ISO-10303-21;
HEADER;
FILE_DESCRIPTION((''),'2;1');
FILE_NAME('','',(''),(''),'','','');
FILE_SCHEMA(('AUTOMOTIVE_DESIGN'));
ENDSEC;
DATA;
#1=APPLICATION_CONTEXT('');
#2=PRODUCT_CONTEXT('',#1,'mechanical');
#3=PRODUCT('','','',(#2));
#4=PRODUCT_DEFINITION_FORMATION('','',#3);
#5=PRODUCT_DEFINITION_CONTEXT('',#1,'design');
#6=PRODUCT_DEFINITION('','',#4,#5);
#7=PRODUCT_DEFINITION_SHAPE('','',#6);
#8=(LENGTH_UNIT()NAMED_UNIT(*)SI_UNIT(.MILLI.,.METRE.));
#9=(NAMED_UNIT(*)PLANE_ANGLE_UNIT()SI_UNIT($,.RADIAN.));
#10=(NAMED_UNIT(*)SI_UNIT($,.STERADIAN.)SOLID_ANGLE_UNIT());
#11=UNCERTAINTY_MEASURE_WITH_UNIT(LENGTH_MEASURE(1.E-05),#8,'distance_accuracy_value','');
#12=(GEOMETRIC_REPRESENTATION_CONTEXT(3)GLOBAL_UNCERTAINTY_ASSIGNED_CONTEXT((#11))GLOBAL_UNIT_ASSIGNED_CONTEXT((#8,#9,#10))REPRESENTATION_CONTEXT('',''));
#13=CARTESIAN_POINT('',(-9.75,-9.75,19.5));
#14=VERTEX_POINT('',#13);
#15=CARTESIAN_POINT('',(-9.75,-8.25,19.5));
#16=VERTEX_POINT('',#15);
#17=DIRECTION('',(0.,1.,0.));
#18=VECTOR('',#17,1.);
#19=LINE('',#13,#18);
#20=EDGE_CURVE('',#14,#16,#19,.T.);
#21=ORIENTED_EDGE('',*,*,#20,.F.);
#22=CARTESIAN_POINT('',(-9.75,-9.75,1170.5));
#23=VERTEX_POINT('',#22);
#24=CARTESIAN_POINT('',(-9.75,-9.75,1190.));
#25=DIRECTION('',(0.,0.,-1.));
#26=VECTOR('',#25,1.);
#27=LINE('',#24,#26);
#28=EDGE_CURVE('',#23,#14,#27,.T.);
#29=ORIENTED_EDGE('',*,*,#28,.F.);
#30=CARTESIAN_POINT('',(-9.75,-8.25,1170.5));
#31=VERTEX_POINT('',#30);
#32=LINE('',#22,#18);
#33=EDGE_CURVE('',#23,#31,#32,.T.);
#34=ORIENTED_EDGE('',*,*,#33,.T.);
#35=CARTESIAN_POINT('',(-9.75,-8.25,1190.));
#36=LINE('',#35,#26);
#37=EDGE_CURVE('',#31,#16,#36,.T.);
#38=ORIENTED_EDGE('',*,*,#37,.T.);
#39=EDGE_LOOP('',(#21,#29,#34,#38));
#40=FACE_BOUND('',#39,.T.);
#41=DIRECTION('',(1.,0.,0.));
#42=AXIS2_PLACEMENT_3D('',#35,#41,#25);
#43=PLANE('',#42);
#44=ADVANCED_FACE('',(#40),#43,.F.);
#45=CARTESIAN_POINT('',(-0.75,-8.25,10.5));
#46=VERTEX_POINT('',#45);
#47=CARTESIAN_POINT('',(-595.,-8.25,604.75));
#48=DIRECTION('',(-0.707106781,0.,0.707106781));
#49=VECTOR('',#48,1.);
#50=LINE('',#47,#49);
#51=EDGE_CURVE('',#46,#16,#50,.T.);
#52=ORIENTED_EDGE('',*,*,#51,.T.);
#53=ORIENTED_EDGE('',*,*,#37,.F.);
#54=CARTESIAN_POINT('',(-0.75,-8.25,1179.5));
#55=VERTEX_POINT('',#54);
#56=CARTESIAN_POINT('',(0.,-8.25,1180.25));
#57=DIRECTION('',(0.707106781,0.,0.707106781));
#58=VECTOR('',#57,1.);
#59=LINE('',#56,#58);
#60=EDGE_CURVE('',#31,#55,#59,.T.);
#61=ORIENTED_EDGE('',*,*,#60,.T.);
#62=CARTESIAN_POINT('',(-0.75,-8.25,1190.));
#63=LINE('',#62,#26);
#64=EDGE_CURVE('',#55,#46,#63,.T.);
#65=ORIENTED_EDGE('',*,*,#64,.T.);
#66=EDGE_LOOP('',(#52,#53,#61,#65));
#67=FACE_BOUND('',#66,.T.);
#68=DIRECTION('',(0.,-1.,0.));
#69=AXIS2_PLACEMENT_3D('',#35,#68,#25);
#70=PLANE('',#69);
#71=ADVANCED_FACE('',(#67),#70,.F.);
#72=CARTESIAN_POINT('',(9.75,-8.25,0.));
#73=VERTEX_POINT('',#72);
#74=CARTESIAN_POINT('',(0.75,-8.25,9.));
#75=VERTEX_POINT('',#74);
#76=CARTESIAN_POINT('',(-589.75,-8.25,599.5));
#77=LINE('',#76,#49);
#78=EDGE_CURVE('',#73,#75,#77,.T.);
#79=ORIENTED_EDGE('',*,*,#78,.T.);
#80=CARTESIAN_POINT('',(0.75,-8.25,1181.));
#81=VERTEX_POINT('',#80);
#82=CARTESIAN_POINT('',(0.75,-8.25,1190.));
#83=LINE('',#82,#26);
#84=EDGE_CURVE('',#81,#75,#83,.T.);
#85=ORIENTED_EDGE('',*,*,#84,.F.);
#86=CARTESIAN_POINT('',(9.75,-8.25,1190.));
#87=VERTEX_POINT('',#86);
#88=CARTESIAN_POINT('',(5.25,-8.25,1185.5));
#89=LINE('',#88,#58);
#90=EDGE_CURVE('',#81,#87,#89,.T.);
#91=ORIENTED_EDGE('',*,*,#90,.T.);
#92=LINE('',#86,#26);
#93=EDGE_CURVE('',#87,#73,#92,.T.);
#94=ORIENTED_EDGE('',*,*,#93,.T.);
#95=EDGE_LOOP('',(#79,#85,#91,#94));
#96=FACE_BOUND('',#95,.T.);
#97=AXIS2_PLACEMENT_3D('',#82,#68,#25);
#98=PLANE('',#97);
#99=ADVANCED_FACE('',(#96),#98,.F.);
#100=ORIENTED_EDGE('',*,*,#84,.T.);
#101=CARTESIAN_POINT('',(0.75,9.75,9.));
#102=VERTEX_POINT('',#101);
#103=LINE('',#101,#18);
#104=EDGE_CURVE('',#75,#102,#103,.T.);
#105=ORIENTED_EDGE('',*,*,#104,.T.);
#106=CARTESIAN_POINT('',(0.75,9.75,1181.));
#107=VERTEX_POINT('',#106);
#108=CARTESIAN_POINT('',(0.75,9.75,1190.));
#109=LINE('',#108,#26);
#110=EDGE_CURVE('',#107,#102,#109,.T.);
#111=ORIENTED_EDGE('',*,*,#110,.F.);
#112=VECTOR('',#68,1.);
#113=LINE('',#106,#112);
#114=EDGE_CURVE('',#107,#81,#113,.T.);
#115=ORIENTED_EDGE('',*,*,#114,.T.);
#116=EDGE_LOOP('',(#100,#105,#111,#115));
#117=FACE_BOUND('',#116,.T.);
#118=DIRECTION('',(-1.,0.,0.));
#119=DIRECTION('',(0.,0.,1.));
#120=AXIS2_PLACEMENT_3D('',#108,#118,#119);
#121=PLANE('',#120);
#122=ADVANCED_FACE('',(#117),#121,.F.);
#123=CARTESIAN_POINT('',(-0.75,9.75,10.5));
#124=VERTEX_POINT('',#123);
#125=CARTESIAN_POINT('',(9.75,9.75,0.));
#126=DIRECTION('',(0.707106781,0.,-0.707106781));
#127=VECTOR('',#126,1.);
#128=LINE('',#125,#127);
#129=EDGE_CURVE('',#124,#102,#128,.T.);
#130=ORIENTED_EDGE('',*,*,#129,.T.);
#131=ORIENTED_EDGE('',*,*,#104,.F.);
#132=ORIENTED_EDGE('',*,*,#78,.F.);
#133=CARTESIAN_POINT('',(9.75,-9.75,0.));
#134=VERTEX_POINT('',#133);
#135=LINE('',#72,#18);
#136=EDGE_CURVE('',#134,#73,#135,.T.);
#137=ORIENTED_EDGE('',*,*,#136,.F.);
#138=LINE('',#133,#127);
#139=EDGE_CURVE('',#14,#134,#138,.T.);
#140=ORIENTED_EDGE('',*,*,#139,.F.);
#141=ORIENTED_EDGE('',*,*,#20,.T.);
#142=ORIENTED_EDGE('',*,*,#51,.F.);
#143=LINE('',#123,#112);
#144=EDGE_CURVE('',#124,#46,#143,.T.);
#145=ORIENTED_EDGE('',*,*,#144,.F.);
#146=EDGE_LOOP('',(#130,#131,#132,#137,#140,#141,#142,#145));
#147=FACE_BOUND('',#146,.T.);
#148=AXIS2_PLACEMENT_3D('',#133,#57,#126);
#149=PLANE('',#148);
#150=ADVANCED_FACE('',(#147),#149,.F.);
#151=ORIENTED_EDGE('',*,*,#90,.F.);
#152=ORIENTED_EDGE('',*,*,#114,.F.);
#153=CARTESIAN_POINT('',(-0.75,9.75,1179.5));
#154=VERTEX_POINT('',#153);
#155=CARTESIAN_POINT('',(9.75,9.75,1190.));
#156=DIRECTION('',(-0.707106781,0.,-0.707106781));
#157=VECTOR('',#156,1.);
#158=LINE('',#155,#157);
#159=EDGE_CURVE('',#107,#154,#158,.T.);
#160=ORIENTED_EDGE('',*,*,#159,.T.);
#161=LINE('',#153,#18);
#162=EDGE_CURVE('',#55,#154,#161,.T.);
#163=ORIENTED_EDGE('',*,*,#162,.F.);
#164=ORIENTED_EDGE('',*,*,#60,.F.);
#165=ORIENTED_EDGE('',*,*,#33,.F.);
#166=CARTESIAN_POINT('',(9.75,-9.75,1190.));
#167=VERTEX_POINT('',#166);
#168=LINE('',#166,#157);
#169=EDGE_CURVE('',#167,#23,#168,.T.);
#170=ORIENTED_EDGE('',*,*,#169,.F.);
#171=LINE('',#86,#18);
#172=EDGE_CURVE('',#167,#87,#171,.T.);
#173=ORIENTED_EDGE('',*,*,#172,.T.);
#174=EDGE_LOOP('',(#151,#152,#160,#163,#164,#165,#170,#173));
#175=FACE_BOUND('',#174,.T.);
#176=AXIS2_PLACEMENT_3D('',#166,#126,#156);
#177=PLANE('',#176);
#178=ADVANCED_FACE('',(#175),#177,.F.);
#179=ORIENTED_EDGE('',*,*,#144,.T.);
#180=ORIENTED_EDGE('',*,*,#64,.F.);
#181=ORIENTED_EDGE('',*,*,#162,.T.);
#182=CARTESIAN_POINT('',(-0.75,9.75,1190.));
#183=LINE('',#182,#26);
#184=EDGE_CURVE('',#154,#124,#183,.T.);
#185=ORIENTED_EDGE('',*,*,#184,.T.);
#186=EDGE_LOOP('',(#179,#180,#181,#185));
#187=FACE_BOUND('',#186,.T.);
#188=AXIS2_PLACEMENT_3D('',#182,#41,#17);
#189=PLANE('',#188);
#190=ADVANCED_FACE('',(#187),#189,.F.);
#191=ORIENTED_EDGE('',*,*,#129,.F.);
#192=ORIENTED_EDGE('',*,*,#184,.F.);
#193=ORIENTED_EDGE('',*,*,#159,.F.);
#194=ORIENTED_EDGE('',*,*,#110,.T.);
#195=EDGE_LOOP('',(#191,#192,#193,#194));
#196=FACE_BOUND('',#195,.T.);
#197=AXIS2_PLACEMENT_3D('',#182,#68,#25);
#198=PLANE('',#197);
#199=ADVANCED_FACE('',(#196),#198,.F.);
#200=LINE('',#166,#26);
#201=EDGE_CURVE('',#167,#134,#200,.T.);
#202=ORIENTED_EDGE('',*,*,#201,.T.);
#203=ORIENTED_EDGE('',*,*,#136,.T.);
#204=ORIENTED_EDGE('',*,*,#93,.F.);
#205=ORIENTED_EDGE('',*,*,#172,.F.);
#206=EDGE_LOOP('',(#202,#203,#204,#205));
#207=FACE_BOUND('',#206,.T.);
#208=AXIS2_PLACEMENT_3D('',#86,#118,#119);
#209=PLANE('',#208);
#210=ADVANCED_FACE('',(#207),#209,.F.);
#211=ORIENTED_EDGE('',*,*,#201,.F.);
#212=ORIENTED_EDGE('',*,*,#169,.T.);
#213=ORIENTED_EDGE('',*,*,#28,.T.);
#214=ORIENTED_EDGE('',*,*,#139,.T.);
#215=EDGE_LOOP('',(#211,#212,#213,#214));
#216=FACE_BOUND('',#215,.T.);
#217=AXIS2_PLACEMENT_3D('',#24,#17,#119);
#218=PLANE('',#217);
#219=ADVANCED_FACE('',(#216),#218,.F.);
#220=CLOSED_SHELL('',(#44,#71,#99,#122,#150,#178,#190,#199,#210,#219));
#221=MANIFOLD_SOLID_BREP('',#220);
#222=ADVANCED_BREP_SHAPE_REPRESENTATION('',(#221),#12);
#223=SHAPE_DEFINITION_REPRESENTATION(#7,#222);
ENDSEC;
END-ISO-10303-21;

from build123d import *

# Parameters (mm, degrees)
BOSS_EXTRUDE1_DEPTH     = 1190
CUT_EXTRUDE1_DEPTH      = 1191.176063656
CUT_EXTRUDE1_DEPTH_BACK = 1191.176063656


with BuildPart() as part:
    # Sketch1 → Boss-Extrude1 (new body)
    with BuildSketch(Plane.XY):
        Polygon((-9.75, -9.75), (9.75, -9.75), (9.75, -8.25), (0.75, -8.25), (0.75, 9.75), (-0.75, 9.75), (-0.75, -8.25), (-9.75, -8.25), align=None)
    extrude(amount=BOSS_EXTRUDE1_DEPTH)

    # Sketch2 → Cut-Extrude1 (cut, two sides: drawn at the far end of the back side and taken through both)
    with BuildSketch(Plane(origin=(0, -8.25, 0), x_dir=(1, 0, 0), z_dir=(0, 1, 0)).offset(-CUT_EXTRUDE1_DEPTH_BACK)):
        Polygon((9.75, 0), (-9.75, -19.5), (-15.874453794, -19.5), (-15.874453794, 8.440692937), (9.75, 8.440692937), align=None)
        Polygon((9.75, -1190), (-9.75, -1170.5), (-13.500903001, -1170.5), (-13.500903001, -1195.414043503), (9.75, -1195.414043503), align=None)
    extrude(amount=CUT_EXTRUDE1_DEPTH + CUT_EXTRUDE1_DEPTH_BACK, mode=Mode.SUBTRACT)


solid = part.part
